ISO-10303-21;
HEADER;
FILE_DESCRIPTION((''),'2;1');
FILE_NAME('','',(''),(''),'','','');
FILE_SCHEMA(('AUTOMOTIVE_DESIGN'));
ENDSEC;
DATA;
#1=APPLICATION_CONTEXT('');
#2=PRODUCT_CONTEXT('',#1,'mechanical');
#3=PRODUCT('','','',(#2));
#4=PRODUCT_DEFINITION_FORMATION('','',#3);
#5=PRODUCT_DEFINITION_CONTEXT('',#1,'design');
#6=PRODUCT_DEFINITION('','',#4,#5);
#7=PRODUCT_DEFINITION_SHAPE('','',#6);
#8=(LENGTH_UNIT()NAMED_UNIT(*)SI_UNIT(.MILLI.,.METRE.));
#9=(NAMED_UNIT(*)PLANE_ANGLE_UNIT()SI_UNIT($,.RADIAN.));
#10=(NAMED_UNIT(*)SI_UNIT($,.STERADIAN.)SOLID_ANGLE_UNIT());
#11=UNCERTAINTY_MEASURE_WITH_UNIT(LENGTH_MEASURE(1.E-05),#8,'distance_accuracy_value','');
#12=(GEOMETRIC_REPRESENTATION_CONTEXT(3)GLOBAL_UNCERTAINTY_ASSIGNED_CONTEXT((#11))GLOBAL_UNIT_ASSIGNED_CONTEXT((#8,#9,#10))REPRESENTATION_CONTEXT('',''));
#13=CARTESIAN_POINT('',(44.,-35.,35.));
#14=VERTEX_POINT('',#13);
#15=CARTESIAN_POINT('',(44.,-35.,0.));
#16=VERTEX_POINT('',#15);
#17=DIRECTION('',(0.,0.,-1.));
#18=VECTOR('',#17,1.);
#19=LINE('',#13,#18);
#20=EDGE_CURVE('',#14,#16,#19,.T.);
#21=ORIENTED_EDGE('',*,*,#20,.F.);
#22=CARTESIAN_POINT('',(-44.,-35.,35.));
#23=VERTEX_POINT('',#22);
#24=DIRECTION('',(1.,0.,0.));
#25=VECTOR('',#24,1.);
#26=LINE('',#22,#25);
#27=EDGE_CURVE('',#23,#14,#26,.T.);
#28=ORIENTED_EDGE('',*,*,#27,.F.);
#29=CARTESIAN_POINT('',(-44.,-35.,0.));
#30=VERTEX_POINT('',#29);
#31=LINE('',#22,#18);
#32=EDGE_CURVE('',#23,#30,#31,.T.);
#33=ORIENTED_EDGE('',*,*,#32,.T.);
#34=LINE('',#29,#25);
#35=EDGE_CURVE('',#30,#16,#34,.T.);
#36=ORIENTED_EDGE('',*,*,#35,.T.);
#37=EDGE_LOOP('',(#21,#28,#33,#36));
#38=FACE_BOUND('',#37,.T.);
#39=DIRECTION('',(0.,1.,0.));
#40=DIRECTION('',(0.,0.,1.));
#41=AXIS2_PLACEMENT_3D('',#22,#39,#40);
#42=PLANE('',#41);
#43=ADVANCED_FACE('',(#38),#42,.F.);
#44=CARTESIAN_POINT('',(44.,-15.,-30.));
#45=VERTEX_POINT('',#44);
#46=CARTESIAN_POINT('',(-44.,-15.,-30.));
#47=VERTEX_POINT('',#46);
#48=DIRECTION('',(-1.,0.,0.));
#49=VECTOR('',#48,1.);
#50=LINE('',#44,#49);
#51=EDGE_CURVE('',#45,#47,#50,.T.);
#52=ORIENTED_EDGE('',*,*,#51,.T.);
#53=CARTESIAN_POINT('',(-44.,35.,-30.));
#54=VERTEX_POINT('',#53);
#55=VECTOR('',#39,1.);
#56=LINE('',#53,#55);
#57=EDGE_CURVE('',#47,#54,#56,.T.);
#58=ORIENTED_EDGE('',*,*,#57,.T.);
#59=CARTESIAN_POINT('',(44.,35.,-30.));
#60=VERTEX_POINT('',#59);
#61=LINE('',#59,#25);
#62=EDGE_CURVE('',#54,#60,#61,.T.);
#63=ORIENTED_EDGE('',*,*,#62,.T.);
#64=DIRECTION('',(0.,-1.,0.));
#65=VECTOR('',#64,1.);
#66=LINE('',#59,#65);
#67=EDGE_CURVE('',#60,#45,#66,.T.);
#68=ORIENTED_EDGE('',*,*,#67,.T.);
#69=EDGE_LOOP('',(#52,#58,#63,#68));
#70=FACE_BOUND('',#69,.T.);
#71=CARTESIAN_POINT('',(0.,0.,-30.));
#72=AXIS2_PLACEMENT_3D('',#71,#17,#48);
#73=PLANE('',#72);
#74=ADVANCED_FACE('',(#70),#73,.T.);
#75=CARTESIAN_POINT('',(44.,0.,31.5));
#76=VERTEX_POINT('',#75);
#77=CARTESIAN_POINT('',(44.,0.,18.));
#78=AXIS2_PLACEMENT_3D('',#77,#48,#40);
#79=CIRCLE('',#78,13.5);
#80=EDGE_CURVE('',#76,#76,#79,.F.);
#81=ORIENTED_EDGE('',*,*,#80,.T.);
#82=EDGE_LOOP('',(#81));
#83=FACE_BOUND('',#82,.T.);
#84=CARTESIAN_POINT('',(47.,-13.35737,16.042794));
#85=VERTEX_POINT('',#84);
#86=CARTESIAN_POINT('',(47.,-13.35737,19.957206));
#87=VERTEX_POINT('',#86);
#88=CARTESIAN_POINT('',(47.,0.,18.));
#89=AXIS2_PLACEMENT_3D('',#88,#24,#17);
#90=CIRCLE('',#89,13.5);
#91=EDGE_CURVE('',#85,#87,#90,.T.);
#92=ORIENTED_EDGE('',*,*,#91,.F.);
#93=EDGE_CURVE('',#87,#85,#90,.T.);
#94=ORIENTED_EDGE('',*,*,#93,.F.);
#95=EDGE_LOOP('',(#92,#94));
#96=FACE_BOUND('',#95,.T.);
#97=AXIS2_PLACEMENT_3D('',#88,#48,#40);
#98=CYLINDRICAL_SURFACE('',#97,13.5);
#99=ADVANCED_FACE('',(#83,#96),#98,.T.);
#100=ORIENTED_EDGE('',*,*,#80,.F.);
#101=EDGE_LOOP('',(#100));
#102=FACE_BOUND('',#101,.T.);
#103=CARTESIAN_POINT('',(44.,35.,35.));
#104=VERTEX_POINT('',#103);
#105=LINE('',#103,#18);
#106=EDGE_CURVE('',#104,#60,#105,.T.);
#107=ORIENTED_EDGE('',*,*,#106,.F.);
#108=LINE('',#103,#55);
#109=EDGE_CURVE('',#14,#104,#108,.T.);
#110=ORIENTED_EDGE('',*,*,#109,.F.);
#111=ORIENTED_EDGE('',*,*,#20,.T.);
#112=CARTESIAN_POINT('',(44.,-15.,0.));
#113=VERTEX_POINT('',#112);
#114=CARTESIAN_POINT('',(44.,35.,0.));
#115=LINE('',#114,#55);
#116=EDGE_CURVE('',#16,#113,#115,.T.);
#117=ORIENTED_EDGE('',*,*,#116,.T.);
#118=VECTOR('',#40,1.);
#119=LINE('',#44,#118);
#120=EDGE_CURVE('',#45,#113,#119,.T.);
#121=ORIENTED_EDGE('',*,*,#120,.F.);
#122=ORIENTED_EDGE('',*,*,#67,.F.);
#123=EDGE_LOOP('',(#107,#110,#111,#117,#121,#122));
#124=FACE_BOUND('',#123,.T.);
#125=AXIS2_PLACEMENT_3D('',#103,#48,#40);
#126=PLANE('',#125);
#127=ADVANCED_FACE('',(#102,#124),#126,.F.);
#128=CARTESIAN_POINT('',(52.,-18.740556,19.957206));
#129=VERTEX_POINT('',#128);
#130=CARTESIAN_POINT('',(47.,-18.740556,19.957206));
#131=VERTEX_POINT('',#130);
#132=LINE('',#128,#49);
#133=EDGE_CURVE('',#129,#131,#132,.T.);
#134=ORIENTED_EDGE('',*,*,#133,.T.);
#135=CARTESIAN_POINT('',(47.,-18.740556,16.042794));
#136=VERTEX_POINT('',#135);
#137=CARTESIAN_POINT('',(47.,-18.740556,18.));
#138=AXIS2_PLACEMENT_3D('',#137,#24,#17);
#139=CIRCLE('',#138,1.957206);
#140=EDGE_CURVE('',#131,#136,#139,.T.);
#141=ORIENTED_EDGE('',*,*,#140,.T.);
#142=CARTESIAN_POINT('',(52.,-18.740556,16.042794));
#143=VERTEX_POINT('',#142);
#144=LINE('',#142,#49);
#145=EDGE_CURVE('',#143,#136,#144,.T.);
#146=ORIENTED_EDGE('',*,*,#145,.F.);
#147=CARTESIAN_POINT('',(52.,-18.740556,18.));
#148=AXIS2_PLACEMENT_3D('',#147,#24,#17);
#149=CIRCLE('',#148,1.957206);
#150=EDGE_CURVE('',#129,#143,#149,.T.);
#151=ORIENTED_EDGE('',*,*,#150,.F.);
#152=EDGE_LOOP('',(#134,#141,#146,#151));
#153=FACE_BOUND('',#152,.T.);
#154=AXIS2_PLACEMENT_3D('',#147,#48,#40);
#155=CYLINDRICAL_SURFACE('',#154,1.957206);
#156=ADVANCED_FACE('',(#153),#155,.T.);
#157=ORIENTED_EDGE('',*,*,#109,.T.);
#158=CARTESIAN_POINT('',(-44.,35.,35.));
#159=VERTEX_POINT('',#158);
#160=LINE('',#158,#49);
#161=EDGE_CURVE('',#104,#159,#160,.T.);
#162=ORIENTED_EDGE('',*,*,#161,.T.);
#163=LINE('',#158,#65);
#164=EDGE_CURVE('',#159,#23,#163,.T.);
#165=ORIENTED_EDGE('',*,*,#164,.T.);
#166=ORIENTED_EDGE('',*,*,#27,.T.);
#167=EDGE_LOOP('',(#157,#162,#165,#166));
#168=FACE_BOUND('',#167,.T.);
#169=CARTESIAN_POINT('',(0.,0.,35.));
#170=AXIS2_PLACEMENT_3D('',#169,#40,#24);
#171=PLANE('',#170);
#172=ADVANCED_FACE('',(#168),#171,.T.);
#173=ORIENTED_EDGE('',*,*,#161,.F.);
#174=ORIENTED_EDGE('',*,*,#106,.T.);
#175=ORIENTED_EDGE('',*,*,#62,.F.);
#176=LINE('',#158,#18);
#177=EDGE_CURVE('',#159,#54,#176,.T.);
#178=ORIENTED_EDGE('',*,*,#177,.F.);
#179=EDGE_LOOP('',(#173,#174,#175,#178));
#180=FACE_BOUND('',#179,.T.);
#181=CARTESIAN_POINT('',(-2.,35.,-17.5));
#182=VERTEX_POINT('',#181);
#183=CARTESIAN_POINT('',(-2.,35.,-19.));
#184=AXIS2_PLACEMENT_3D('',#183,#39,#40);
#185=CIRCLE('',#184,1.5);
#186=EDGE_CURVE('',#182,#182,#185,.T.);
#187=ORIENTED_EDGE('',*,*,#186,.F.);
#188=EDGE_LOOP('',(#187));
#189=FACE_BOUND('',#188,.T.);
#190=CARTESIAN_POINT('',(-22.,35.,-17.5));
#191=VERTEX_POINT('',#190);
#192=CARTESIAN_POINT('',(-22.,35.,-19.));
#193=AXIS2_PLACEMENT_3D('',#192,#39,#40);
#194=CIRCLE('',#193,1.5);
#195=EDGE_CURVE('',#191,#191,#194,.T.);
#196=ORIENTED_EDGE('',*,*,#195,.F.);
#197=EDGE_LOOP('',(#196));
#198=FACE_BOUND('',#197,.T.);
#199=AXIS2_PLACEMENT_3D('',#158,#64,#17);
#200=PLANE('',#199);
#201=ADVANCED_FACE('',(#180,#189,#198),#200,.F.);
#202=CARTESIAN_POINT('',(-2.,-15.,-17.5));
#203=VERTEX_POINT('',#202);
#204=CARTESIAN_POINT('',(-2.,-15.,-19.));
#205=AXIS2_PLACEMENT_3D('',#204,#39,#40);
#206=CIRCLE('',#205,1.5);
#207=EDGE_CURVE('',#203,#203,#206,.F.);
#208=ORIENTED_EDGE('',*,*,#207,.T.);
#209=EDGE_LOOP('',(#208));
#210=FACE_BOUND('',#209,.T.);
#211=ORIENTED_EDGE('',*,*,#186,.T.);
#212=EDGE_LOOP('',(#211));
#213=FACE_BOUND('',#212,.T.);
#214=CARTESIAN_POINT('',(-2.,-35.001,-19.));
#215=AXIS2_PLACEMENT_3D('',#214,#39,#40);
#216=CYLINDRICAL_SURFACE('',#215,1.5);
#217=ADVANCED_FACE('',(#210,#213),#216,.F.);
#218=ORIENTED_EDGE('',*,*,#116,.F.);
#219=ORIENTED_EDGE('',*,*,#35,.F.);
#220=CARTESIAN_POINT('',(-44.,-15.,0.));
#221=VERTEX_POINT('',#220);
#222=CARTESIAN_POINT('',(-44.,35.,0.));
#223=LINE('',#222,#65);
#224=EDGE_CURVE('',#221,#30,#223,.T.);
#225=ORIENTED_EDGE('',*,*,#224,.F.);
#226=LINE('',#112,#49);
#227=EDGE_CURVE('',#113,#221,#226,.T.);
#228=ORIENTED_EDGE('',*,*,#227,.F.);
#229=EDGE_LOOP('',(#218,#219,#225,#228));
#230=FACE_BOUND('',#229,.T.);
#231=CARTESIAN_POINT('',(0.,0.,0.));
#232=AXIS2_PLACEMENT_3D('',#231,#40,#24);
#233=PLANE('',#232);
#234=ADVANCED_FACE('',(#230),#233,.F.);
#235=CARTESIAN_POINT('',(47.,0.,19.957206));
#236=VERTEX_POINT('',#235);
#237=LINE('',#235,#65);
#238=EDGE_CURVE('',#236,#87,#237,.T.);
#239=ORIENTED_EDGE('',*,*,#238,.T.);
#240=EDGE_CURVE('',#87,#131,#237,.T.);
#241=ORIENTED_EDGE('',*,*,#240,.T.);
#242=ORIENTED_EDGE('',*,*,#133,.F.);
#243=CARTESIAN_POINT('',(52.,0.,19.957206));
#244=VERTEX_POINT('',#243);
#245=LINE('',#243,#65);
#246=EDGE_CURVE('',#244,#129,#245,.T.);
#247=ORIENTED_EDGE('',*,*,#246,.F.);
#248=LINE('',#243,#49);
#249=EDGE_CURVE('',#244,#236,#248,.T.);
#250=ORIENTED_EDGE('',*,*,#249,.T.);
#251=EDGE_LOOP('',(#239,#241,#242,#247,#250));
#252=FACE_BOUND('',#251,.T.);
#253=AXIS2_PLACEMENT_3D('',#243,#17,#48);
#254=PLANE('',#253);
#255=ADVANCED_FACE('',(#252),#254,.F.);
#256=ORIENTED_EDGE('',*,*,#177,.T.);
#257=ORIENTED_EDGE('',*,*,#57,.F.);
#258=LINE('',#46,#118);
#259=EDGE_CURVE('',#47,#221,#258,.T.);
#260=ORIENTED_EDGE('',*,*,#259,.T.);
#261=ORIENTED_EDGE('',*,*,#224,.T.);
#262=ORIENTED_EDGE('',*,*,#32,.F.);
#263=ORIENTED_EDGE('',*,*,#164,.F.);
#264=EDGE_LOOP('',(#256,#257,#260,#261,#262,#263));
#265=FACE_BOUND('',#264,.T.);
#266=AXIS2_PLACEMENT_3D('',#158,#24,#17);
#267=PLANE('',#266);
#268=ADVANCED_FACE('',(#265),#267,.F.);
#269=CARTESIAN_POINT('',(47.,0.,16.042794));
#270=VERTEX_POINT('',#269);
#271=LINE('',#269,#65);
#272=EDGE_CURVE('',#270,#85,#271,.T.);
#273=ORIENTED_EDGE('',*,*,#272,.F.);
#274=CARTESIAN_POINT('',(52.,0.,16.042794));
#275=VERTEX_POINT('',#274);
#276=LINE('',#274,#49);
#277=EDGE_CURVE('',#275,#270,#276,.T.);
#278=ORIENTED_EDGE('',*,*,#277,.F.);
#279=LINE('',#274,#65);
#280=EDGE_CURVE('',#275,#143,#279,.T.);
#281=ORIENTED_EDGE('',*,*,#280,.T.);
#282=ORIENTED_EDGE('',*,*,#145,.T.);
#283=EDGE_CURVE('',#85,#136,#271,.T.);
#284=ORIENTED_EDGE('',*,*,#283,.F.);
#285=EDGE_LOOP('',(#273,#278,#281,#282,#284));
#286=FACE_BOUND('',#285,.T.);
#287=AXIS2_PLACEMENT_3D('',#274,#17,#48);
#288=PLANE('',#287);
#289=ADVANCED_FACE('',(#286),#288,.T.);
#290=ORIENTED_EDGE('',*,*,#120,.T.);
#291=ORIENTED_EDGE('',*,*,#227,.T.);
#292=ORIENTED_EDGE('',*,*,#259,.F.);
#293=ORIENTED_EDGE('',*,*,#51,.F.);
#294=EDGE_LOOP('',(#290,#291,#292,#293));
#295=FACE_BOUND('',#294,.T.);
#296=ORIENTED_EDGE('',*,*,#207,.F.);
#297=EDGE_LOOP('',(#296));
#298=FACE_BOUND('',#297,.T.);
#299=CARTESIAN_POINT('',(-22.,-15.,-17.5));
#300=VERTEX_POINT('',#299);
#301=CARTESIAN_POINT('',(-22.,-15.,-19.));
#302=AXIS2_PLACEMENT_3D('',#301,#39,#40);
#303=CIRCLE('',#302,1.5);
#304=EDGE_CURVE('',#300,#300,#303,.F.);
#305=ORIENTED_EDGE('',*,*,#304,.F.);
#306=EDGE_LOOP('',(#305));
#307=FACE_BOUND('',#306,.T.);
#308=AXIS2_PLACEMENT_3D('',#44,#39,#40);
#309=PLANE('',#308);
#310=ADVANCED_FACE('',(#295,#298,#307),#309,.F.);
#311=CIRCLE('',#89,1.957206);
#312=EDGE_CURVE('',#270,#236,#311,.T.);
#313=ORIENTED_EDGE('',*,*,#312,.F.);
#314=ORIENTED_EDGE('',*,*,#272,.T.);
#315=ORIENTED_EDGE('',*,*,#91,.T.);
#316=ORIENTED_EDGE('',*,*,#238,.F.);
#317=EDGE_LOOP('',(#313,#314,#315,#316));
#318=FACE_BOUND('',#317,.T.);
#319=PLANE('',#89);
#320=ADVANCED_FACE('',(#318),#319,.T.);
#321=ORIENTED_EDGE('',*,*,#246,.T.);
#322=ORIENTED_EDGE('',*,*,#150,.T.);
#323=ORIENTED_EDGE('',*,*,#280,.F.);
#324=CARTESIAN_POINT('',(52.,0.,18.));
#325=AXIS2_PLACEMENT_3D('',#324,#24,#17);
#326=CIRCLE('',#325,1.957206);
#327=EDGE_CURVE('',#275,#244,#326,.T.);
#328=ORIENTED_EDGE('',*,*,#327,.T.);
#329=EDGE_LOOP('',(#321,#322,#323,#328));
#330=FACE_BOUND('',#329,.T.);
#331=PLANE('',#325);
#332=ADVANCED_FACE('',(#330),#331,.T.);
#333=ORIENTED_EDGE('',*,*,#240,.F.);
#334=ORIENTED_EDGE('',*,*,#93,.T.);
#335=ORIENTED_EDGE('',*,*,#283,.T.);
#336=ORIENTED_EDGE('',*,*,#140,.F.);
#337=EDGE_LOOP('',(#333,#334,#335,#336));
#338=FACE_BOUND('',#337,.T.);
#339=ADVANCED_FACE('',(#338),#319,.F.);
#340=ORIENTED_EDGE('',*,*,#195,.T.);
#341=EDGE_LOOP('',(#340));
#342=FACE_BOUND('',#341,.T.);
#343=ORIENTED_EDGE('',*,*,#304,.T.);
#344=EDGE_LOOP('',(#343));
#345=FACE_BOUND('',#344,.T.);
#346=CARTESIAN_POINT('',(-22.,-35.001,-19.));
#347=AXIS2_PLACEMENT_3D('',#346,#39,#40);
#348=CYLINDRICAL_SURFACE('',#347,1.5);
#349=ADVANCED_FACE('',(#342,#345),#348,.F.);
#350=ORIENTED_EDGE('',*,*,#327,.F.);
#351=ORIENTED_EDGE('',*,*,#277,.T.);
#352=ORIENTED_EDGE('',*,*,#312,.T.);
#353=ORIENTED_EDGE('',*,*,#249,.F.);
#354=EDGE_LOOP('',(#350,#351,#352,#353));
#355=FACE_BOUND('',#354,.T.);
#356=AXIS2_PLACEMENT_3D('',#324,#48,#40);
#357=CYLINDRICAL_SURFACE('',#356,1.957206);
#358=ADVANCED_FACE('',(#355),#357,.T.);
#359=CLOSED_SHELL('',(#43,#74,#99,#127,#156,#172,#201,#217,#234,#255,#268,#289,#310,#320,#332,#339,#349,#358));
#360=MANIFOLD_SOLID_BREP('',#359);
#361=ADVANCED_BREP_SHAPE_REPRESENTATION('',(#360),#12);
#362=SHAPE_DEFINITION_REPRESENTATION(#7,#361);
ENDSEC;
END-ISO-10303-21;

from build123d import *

# Parameters (mm, degrees)
SKETCH_1_W          = 88
SKETCH_1_H          = 70
EXTRUDE_1_DEPTH     = 35
SKETCH_3_W          = 88
SKETCH_3_H          = 50
EXTRUDE_2_DEPTH     = 30
SKETCH_6_R          = 13.5
EXTRUDE_3_DEPTH     = 3
EXTRUDE_4_DEPTH     = 5
CUT_EXTRUDE_1_REACH = 95.963
SKETCH_8_R          = 1.5


with BuildPart() as part:
    # 草图1 → 凸台-拉伸1 (new body)
    with BuildSketch(Plane.XY):
        Rectangle(SKETCH_1_W, SKETCH_1_H)
    extrude(amount=EXTRUDE_1_DEPTH)

    # 草图3 → 凸台-拉伸2 (add)
    with BuildSketch(Plane(origin=(0, 0, 0), x_dir=(-1, 0, 0), z_dir=(0, 0, -1))):
        with Locations((0, 10)):
            Rectangle(SKETCH_3_W, SKETCH_3_H)
    extrude(amount=EXTRUDE_2_DEPTH)

    # 草图6 → 凸台-拉伸3 (add)
    with BuildSketch(Plane(origin=(44, 0, 0), x_dir=(0, 0, -1), z_dir=(1, 0, 0))):
        with Locations(Location((-18, 0, 0), (0, 0, 180))):
            Circle(SKETCH_6_R)
    extrude(amount=EXTRUDE_3_DEPTH)

    # 草图7 → 凸台-拉伸4 (add)
    with BuildSketch(Plane(origin=(47, 0, 0), x_dir=(0, 0, -1), z_dir=(1, 0, 0))):
        with BuildLine():
            Line((-16.042793618, 0), (-16.042793618, -18.740555958))
            ThreePointArc((-16.042793618, -18.740555958), (-18, -20.697762339), (-19.957206382, -18.740555958))
            Line((-19.957206382, -18.740555958), (-19.957206382, 0))
            ThreePointArc((-19.957206382, 0), (-18, 1.957206382), (-16.042793618, 0))
        make_face()
    extrude(amount=EXTRUDE_4_DEPTH)

    # 草图8 → 切除-拉伸1 (cut, up to next)
    with BuildSketch(Plane(origin=(0, 35, 0), x_dir=(1, 0, 0), z_dir=(0, 1, 0)), mode=Mode.PRIVATE) as cut_extrude_1_sk1:
        with Locations(Location((-22, 19, 0), (0, 0, 270))):
            Circle(SKETCH_8_R)
    cut_extrude_1_tool1 = extrude(cut_extrude_1_sk1.sketch, amount=-CUT_EXTRUDE_1_REACH, mode=Mode.PRIVATE) & part.part
    # 草图8 → 切除-拉伸1 (cut, up to next)
    with BuildSketch(Plane(origin=(0, 35, 0), x_dir=(1, 0, 0), z_dir=(0, 1, 0)), mode=Mode.PRIVATE) as cut_extrude_1_sk2:
        with Locations(Location((-2, 19, 0), (0, 0, 270))):
            Circle(SKETCH_8_R)
    cut_extrude_1_tool2 = extrude(cut_extrude_1_sk2.sketch, amount=-CUT_EXTRUDE_1_REACH, mode=Mode.PRIVATE) & part.part
    add(cut_extrude_1_tool1.solids().sort_by_distance((-22, 35, -19))[0], mode=Mode.SUBTRACT)
    add(cut_extrude_1_tool2.solids().sort_by_distance((-2, 35, -19))[0], mode=Mode.SUBTRACT)


solid = part.part
